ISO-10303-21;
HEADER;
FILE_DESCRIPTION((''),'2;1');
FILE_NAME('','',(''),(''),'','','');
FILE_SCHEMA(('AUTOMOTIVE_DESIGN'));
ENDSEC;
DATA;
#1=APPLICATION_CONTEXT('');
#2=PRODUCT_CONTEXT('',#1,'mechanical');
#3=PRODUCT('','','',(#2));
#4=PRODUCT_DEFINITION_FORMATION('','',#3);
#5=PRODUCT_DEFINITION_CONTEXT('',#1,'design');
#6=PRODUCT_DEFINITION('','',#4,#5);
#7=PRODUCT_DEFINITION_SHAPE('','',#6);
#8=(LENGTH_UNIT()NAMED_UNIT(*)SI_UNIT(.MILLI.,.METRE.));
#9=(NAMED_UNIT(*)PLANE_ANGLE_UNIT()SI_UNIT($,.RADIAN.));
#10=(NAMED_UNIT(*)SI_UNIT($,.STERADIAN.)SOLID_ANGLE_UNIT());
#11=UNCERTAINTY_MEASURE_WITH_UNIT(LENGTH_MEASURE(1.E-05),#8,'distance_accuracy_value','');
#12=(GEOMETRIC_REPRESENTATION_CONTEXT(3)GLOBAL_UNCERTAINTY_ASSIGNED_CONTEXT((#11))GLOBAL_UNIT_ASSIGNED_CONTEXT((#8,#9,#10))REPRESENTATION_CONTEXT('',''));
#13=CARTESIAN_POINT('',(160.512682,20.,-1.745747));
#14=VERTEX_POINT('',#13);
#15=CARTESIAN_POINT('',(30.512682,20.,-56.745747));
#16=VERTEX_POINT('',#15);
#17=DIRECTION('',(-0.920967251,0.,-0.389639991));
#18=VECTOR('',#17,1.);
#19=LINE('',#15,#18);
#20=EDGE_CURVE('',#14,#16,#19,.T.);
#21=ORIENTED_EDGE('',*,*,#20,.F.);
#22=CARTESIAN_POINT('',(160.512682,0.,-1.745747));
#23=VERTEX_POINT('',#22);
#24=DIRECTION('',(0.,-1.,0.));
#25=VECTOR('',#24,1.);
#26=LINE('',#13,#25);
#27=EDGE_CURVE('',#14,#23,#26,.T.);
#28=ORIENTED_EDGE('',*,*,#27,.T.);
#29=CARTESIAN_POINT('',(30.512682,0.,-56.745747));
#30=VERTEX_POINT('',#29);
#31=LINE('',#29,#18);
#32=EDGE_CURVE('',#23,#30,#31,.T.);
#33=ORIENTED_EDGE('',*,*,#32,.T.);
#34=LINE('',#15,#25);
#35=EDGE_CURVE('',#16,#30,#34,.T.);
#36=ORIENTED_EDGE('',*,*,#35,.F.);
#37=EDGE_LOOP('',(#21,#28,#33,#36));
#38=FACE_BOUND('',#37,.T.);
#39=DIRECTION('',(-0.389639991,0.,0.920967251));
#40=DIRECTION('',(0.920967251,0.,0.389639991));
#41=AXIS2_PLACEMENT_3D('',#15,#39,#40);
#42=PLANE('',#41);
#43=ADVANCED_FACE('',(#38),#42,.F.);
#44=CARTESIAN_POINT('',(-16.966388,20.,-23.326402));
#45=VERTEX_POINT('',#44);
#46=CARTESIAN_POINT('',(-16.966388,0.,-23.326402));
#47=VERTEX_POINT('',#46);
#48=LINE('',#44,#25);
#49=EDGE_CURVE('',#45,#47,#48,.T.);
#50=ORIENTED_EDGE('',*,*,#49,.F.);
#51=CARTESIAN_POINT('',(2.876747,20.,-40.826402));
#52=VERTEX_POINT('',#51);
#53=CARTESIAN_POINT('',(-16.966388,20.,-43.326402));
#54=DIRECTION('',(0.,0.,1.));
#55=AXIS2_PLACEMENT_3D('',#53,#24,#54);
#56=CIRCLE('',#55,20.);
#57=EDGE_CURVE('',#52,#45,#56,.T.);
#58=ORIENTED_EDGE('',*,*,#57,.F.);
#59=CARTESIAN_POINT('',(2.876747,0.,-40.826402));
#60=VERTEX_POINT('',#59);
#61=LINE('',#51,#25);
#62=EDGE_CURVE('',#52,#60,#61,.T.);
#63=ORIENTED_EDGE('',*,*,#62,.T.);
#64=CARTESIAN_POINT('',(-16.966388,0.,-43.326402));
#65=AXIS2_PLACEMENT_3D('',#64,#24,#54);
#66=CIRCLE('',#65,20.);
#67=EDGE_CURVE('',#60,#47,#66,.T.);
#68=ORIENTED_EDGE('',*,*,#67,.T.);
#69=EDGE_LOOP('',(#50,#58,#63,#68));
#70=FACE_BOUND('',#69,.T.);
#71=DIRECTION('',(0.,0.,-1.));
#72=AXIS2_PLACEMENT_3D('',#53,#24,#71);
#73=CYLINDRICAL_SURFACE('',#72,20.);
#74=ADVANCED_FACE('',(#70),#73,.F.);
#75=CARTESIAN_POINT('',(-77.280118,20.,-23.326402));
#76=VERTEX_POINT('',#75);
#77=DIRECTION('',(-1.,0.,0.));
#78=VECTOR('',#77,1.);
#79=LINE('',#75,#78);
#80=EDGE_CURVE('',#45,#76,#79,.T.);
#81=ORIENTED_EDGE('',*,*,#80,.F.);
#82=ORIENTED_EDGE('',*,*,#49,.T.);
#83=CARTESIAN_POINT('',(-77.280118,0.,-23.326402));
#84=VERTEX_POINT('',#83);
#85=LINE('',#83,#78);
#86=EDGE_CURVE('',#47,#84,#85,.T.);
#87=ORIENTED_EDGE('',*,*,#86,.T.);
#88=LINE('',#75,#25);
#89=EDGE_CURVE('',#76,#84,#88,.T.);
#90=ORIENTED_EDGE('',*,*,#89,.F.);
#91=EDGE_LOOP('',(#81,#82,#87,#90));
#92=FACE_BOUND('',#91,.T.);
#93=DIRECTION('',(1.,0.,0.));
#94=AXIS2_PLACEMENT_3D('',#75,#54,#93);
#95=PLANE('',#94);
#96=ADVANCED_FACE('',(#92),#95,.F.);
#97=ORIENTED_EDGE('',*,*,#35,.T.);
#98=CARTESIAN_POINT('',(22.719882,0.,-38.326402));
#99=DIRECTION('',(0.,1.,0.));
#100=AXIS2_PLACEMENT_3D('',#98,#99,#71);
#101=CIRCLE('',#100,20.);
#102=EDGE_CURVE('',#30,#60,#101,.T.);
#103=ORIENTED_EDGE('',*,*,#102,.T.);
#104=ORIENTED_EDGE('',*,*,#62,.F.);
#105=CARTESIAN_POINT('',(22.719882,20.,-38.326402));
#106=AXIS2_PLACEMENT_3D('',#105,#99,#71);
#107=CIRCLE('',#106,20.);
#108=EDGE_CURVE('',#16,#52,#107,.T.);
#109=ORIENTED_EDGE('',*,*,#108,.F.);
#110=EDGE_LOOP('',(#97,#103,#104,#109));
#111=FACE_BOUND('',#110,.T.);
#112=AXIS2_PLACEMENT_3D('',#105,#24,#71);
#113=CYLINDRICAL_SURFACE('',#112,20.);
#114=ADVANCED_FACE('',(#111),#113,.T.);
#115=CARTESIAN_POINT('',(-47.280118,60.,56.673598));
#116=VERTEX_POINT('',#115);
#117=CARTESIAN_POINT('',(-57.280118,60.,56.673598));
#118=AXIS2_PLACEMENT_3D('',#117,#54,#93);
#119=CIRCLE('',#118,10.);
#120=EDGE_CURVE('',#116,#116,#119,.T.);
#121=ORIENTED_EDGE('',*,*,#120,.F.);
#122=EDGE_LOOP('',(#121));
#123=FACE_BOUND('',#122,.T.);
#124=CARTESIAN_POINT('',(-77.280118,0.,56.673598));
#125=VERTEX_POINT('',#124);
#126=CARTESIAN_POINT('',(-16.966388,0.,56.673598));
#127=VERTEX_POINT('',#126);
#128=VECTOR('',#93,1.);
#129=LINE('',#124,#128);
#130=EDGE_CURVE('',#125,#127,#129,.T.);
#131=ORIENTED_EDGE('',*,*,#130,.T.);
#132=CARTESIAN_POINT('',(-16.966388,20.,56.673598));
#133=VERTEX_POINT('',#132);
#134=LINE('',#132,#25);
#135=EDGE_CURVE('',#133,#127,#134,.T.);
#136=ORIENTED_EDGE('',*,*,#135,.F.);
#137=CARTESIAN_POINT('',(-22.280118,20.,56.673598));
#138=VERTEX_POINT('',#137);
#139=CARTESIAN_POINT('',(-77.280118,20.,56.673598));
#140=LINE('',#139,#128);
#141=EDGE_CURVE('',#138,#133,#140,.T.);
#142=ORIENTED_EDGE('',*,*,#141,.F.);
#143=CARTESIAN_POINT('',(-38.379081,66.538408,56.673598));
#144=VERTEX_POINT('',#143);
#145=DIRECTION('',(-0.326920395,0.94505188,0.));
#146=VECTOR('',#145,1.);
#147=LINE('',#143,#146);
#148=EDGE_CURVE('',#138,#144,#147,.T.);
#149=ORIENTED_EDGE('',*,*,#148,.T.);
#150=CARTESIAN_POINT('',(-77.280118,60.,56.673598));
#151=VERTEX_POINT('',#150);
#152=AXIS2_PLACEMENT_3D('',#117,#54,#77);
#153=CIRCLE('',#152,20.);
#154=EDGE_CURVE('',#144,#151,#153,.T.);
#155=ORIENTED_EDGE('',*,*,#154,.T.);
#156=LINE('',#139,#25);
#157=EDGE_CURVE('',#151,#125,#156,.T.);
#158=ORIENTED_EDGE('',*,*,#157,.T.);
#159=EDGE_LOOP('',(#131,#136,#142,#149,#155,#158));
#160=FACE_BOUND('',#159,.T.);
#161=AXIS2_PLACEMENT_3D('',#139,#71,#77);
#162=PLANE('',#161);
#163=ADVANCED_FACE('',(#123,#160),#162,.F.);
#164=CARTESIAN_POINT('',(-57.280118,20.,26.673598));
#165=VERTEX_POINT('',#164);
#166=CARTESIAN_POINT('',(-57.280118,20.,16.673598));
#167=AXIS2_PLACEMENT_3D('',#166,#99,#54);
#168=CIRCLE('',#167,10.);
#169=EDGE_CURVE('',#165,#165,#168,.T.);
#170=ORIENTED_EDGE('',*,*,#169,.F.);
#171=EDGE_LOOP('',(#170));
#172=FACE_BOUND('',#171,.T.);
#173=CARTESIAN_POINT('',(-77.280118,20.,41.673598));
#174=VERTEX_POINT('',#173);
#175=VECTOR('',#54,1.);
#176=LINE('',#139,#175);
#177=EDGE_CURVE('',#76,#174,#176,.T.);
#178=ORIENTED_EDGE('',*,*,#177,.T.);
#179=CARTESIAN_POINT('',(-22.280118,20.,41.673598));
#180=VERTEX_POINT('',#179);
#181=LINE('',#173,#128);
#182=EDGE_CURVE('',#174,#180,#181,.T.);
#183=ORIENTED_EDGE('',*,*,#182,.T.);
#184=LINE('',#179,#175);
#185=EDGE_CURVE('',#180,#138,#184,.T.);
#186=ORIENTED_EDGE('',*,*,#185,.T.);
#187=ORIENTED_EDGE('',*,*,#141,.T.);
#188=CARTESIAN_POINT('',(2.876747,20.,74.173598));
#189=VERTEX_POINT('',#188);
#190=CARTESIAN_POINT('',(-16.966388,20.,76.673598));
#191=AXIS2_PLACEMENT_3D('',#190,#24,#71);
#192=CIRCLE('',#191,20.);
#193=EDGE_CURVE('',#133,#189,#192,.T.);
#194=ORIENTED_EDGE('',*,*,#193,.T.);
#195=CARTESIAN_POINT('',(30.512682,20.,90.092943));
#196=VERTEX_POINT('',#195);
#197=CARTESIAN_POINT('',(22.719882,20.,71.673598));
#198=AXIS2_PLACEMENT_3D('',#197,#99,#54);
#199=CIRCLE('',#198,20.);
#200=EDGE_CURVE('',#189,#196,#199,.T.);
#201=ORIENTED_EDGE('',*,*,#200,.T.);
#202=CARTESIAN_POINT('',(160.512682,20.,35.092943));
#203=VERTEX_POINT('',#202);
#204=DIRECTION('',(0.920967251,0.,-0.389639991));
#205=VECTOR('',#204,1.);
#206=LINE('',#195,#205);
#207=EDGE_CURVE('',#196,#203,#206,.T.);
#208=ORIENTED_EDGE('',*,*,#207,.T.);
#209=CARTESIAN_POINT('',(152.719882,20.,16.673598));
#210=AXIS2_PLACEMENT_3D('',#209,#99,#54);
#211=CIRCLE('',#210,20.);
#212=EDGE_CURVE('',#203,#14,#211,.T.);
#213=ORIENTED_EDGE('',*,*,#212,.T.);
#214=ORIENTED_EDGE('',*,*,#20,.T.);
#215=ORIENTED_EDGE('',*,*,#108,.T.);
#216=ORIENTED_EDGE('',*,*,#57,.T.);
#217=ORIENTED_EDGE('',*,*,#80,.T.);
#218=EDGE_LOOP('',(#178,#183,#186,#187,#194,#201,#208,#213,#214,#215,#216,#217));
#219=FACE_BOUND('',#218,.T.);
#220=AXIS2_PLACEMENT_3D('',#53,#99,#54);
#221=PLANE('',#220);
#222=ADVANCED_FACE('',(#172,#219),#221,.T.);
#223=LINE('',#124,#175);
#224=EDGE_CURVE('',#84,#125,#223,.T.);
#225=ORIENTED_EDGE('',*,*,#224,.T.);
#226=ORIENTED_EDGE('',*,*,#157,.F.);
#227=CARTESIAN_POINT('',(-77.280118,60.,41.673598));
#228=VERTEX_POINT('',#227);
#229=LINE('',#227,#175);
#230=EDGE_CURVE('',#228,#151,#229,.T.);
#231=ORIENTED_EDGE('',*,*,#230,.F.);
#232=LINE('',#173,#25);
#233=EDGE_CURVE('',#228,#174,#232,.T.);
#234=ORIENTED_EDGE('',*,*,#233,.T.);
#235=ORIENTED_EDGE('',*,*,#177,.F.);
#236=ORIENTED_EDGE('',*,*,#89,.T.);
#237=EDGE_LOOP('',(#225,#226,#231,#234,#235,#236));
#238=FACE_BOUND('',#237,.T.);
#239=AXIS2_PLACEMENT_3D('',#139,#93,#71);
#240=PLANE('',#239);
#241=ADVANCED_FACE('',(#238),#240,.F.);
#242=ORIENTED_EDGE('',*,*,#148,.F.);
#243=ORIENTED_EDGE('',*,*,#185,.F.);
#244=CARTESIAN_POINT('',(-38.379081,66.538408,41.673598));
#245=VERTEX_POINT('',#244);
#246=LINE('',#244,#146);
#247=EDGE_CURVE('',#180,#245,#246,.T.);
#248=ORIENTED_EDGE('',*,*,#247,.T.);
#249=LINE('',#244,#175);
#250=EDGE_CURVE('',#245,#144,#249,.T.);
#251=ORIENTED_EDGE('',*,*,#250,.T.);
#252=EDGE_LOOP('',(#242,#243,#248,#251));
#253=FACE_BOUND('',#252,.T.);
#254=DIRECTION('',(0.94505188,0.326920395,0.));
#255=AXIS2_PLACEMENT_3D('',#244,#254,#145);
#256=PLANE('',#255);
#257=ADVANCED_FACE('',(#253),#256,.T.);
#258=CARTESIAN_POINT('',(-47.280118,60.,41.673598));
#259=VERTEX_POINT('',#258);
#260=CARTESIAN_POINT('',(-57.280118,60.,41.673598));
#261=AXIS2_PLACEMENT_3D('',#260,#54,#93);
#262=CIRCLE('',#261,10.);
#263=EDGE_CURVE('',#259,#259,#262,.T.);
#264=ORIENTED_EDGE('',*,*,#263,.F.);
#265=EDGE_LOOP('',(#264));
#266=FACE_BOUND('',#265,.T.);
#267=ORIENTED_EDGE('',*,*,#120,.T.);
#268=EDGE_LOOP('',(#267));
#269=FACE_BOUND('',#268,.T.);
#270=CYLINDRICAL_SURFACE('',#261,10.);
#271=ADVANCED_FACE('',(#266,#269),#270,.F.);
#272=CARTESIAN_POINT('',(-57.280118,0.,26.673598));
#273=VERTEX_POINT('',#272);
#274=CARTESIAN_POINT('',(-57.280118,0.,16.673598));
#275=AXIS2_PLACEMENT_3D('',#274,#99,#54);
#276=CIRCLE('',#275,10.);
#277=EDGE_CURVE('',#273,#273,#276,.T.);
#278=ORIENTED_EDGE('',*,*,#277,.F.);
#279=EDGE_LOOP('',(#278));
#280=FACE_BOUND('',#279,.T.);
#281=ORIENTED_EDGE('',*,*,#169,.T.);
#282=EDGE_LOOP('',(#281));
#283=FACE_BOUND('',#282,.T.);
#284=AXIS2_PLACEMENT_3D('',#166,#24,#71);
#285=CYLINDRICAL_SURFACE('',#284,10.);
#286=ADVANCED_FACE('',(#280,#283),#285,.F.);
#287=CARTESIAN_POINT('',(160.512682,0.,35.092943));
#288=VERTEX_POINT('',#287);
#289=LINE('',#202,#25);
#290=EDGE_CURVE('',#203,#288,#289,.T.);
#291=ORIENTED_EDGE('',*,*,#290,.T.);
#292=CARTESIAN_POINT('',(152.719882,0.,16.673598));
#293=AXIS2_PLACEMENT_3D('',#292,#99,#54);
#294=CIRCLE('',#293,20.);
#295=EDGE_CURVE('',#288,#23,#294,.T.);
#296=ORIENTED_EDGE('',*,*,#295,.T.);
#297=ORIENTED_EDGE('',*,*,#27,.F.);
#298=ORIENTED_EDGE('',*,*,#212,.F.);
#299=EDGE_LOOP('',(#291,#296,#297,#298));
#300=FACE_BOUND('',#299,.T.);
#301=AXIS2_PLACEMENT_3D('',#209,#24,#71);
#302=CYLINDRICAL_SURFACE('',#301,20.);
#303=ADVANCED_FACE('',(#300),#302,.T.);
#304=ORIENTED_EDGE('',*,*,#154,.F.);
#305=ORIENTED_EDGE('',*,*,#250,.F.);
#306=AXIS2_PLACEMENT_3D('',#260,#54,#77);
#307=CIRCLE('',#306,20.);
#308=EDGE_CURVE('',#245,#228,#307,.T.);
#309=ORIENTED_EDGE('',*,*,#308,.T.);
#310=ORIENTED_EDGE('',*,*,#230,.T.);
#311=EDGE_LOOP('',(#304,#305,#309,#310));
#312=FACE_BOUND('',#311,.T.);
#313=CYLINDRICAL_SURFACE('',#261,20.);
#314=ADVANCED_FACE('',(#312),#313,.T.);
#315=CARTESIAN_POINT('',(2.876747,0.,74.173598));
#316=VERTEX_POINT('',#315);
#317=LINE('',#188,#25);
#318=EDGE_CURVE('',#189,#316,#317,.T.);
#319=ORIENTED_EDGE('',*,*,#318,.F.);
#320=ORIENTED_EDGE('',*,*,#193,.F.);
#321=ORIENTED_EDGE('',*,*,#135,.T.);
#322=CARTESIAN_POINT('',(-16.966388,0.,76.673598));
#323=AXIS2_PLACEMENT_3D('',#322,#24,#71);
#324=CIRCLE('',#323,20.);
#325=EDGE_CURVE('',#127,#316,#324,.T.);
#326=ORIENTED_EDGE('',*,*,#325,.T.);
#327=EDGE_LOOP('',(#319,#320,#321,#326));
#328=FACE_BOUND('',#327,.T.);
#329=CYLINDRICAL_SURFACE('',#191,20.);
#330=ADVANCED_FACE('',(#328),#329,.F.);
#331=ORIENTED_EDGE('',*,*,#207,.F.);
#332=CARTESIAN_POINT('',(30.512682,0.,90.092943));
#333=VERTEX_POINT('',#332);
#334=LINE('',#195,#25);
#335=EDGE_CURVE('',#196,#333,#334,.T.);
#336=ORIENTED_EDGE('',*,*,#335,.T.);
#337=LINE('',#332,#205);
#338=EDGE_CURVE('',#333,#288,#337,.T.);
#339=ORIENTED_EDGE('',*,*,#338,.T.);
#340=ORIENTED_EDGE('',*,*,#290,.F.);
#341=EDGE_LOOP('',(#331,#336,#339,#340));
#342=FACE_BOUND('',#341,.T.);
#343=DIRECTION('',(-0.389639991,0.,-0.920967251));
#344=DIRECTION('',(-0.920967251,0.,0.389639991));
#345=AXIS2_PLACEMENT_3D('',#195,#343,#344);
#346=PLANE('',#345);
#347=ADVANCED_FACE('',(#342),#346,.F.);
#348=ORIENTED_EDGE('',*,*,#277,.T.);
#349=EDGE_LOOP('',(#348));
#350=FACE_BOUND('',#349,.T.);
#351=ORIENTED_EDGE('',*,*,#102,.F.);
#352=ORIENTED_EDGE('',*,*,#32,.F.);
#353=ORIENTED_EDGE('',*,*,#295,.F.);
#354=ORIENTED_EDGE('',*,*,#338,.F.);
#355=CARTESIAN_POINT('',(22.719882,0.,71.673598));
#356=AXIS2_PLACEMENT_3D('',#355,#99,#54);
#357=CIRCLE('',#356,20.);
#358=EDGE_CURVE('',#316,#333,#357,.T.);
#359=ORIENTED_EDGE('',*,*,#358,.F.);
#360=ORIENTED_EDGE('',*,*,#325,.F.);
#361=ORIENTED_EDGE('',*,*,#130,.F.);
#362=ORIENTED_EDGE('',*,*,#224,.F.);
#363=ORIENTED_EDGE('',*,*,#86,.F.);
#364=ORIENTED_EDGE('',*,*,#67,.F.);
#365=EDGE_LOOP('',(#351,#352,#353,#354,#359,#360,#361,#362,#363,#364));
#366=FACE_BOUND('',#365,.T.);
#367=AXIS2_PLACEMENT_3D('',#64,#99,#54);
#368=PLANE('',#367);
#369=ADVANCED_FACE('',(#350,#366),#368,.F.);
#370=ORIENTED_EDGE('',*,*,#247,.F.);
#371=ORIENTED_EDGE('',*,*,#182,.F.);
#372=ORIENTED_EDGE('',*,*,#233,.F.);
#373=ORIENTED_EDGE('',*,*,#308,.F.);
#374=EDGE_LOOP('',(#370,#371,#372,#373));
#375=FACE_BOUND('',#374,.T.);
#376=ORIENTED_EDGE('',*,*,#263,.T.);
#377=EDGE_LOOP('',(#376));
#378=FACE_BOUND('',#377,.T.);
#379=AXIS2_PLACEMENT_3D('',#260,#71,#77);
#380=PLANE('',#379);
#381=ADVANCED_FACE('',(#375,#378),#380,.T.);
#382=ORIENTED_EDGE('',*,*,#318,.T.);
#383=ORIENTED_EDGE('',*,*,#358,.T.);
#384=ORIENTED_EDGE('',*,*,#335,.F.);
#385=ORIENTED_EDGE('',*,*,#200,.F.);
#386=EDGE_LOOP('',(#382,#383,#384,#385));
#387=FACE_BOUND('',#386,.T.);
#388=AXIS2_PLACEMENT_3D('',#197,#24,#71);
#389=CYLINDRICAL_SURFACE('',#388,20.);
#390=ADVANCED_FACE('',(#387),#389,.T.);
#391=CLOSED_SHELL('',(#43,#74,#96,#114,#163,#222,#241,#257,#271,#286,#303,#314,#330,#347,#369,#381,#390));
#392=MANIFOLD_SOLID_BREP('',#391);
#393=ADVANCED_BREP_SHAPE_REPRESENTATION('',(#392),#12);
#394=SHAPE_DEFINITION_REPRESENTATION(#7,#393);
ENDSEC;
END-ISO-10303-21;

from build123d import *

# Parameters (mm, degrees)
SKETCH4_R           = 10
BOSS_EXTRUDE1_DEPTH = 20
SKETCH5_R           = 10
BOSS_EXTRUDE2_DEPTH = 15


with BuildPart() as part:
    # Sketch4 → Boss-Extrude1 (new body)
    with BuildSketch(Plane(origin=(0, 0, 0), x_dir=(1, 0, 0), z_dir=(0, 1, 0))):
        with BuildLine():
            Line((-77.28011811, -56.673598022), (-77.28011811, 23.326401978))
            Line((-77.28011811, 23.326401978), (-16.966387776, 23.326401978))
            ThreePointArc((-16.966387776, 23.326401978), (-3.737631221, 28.326401978), (2.876747057, 40.826401978))
            ThreePointArc((2.876747057, 40.826401978), (12.736944948, 55.656750215), (30.512681706, 56.745747))
            Line((30.512681706, 56.745747), (160.512681706, 1.745747))
            ThreePointArc((160.512681706, 1.745747), (172.71988189, -16.673598022), (160.512681706, -35.092943043))
            Line((160.512681706, -35.092943043), (30.512681706, -90.092943043))
            ThreePointArc((30.512681706, -90.092943043), (12.736944948, -89.003946259), (2.876747057, -74.173598022))
            ThreePointArc((2.876747057, -74.173598022), (-3.737631221, -61.673598022), (-16.966387776, -56.673598022))
            Line((-16.966387776, -56.673598022), (-77.28011811, -56.673598022))
        make_face()
        with Locations(Location((-57.28011811, -16.673598022, 0), (0, 0, 270))):
            Circle(SKETCH4_R, mode=Mode.SUBTRACT)
    extrude(amount=BOSS_EXTRUDE1_DEPTH)

    # Sketch5 → Boss-Extrude2 (add)
    with BuildSketch(Plane.XY.offset(56.673598022)):
        with BuildLine():
            Line((-77.28011811, 20), (-77.28011811, 60))
            ThreePointArc((-77.28011811, 60), (-60.595178298, 79.723345962), (-38.379080515, 66.538407896))
            Line((-38.379080515, 66.538407896), (-22.28011811, 20))
            Line((-22.28011811, 20), (-77.28011811, 20))
        make_face()
        with Locations((-57.28011811, 60)):
            Circle(SKETCH5_R, mode=Mode.SUBTRACT)
    extrude(amount=-BOSS_EXTRUDE2_DEPTH)


solid = part.part
